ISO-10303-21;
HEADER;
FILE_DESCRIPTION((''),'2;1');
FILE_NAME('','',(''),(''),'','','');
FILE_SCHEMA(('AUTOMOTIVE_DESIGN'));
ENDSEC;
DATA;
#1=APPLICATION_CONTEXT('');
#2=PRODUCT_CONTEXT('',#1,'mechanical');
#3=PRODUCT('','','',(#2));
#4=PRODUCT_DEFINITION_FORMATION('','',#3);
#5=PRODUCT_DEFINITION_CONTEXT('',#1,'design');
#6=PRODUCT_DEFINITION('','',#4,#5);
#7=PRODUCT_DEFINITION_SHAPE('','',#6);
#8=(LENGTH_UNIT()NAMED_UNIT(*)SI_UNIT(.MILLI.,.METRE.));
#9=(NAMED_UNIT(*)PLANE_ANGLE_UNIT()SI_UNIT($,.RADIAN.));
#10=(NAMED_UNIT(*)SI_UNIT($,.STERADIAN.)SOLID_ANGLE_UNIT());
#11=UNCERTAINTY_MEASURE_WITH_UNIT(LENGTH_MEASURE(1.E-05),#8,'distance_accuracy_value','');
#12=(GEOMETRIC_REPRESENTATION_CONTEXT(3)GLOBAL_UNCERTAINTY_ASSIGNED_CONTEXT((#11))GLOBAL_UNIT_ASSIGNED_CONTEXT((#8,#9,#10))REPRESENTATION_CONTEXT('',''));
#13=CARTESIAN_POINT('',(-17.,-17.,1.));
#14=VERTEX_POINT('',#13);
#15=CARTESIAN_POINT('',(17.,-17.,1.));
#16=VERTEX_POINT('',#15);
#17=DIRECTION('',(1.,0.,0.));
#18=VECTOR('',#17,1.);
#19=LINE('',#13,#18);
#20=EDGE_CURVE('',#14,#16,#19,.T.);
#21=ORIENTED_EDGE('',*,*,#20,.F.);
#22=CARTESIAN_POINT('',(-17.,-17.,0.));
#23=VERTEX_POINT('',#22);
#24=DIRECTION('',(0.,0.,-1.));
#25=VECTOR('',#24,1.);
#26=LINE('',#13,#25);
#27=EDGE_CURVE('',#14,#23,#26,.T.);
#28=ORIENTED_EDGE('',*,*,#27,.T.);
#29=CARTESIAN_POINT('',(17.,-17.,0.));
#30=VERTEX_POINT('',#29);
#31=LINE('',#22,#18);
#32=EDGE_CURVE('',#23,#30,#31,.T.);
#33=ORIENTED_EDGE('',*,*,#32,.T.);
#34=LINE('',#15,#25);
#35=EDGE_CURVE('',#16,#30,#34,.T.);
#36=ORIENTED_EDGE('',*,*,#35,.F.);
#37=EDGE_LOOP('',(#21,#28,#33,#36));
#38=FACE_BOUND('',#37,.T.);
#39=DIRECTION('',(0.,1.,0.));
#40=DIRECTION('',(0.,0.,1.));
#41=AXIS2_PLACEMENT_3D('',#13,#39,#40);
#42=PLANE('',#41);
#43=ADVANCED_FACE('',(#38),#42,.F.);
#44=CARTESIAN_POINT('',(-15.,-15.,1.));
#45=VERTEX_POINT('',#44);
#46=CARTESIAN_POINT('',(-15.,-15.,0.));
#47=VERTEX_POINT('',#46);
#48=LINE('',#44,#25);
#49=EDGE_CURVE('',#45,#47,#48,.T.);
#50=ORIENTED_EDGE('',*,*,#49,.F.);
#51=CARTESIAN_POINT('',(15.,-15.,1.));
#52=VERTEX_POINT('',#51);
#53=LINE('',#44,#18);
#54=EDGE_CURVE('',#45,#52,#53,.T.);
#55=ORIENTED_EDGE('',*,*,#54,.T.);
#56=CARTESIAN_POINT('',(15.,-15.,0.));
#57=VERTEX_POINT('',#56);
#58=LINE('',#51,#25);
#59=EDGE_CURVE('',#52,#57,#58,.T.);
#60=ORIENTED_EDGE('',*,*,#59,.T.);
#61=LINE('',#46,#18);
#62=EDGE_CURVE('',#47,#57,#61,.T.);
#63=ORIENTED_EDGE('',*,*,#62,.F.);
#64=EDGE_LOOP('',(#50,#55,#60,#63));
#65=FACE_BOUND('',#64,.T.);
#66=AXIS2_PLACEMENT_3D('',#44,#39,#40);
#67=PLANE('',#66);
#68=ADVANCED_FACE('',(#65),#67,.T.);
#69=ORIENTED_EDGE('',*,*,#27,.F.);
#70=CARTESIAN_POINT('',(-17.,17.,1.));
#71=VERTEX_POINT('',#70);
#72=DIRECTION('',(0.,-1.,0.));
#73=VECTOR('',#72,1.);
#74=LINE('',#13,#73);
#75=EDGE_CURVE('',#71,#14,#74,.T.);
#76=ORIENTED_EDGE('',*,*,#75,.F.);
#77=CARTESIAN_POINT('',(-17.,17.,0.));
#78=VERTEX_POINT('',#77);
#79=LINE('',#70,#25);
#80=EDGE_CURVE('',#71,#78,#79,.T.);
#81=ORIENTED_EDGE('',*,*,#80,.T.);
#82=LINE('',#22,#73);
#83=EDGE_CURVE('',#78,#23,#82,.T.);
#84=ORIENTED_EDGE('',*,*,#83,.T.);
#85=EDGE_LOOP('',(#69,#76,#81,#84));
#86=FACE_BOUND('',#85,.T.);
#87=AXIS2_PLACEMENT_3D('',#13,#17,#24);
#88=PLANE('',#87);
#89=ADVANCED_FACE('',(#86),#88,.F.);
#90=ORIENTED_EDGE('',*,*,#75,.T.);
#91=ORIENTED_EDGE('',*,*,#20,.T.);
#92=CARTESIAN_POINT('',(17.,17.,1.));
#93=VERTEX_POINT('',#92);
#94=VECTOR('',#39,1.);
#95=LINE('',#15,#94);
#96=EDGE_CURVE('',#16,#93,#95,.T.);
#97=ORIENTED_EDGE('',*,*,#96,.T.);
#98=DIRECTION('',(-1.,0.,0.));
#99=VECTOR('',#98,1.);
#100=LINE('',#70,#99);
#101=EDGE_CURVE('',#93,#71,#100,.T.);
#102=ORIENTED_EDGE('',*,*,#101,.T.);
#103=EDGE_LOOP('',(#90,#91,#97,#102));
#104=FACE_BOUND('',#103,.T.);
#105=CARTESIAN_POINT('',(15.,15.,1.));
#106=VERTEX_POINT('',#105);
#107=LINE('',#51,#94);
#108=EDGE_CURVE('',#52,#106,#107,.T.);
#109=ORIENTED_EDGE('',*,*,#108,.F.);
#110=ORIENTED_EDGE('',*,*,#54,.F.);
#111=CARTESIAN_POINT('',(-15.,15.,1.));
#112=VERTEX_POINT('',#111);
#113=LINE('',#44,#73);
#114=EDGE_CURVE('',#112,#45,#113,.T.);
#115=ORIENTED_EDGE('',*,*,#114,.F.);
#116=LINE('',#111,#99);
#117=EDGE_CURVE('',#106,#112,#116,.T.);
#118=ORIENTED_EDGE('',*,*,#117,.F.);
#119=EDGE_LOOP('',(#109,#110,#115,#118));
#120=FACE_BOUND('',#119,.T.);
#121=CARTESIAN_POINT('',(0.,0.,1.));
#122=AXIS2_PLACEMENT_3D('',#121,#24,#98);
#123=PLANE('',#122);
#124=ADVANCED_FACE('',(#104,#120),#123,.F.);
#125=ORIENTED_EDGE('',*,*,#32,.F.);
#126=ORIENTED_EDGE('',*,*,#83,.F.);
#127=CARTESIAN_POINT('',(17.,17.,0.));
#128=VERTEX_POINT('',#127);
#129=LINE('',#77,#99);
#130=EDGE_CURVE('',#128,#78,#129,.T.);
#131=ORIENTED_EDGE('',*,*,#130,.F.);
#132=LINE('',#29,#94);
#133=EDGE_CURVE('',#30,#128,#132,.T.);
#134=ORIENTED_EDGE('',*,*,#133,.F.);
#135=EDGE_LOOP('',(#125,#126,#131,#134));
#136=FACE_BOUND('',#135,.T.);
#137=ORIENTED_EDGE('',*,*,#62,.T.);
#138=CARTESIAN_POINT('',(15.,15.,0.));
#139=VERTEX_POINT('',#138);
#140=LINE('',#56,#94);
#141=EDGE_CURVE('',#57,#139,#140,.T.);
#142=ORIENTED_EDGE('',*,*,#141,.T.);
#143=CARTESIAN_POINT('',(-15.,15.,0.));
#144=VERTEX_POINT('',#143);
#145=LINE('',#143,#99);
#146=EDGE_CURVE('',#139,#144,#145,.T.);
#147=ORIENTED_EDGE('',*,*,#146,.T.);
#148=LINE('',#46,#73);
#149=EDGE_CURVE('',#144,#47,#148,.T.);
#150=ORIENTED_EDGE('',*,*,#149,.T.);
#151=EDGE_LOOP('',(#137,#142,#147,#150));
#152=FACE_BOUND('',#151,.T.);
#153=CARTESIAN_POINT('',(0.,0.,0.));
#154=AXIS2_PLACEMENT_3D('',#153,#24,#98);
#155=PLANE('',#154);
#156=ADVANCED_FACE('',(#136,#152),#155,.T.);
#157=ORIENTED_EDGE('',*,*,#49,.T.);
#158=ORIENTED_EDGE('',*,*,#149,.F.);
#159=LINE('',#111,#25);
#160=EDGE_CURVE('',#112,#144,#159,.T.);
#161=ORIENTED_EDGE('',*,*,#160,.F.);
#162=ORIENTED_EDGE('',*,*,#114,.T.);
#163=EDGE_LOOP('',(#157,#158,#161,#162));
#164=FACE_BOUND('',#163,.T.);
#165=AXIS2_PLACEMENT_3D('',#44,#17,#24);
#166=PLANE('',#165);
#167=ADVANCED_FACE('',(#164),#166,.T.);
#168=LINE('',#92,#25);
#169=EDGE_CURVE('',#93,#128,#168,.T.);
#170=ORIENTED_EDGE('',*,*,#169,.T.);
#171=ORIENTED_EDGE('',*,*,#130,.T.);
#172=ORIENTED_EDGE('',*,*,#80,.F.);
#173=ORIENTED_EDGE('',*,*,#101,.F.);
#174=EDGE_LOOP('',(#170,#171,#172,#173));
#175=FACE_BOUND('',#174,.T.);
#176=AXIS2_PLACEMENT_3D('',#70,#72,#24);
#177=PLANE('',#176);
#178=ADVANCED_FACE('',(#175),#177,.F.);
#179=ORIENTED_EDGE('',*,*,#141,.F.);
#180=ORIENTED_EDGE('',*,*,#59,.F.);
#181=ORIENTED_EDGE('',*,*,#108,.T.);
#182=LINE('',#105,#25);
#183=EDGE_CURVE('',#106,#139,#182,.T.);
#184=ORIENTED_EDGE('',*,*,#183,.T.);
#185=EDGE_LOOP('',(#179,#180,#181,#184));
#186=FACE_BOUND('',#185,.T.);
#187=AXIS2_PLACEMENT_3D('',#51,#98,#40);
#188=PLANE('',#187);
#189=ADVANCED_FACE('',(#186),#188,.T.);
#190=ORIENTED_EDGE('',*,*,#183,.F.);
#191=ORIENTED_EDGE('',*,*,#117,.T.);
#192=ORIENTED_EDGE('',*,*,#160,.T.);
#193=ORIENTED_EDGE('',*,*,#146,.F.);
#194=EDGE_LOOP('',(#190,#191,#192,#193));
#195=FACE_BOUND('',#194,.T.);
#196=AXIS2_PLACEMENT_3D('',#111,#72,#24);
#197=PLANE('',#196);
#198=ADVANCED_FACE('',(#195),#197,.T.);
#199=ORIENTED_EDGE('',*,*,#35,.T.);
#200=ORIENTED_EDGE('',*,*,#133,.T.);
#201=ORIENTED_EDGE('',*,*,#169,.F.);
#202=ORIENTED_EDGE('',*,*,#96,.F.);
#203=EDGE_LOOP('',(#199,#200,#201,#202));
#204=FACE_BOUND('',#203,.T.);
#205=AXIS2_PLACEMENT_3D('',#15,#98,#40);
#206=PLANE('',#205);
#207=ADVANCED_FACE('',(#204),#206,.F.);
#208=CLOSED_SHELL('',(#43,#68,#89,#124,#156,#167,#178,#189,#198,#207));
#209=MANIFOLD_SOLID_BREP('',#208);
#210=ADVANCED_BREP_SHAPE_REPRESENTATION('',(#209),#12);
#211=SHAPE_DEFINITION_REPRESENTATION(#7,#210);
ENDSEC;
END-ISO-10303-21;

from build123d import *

# Parameters (mm, degrees)
ESQUISSE2_W        = 34
ESQUISSE2_H        = 34
ESQUISSE2_W_2      = 30
ESQUISSE2_H_2      = 30
BOSS_EXTRU_1_DEPTH = 1


with BuildPart() as part:
    # Esquisse2 → Boss.-Extru.1 (new body)
    with BuildSketch(Plane.XY):
        Rectangle(ESQUISSE2_W, ESQUISSE2_H)
        Rectangle(ESQUISSE2_W_2, ESQUISSE2_H_2, mode=Mode.SUBTRACT)
    extrude(amount=BOSS_EXTRU_1_DEPTH)


solid = part.part
